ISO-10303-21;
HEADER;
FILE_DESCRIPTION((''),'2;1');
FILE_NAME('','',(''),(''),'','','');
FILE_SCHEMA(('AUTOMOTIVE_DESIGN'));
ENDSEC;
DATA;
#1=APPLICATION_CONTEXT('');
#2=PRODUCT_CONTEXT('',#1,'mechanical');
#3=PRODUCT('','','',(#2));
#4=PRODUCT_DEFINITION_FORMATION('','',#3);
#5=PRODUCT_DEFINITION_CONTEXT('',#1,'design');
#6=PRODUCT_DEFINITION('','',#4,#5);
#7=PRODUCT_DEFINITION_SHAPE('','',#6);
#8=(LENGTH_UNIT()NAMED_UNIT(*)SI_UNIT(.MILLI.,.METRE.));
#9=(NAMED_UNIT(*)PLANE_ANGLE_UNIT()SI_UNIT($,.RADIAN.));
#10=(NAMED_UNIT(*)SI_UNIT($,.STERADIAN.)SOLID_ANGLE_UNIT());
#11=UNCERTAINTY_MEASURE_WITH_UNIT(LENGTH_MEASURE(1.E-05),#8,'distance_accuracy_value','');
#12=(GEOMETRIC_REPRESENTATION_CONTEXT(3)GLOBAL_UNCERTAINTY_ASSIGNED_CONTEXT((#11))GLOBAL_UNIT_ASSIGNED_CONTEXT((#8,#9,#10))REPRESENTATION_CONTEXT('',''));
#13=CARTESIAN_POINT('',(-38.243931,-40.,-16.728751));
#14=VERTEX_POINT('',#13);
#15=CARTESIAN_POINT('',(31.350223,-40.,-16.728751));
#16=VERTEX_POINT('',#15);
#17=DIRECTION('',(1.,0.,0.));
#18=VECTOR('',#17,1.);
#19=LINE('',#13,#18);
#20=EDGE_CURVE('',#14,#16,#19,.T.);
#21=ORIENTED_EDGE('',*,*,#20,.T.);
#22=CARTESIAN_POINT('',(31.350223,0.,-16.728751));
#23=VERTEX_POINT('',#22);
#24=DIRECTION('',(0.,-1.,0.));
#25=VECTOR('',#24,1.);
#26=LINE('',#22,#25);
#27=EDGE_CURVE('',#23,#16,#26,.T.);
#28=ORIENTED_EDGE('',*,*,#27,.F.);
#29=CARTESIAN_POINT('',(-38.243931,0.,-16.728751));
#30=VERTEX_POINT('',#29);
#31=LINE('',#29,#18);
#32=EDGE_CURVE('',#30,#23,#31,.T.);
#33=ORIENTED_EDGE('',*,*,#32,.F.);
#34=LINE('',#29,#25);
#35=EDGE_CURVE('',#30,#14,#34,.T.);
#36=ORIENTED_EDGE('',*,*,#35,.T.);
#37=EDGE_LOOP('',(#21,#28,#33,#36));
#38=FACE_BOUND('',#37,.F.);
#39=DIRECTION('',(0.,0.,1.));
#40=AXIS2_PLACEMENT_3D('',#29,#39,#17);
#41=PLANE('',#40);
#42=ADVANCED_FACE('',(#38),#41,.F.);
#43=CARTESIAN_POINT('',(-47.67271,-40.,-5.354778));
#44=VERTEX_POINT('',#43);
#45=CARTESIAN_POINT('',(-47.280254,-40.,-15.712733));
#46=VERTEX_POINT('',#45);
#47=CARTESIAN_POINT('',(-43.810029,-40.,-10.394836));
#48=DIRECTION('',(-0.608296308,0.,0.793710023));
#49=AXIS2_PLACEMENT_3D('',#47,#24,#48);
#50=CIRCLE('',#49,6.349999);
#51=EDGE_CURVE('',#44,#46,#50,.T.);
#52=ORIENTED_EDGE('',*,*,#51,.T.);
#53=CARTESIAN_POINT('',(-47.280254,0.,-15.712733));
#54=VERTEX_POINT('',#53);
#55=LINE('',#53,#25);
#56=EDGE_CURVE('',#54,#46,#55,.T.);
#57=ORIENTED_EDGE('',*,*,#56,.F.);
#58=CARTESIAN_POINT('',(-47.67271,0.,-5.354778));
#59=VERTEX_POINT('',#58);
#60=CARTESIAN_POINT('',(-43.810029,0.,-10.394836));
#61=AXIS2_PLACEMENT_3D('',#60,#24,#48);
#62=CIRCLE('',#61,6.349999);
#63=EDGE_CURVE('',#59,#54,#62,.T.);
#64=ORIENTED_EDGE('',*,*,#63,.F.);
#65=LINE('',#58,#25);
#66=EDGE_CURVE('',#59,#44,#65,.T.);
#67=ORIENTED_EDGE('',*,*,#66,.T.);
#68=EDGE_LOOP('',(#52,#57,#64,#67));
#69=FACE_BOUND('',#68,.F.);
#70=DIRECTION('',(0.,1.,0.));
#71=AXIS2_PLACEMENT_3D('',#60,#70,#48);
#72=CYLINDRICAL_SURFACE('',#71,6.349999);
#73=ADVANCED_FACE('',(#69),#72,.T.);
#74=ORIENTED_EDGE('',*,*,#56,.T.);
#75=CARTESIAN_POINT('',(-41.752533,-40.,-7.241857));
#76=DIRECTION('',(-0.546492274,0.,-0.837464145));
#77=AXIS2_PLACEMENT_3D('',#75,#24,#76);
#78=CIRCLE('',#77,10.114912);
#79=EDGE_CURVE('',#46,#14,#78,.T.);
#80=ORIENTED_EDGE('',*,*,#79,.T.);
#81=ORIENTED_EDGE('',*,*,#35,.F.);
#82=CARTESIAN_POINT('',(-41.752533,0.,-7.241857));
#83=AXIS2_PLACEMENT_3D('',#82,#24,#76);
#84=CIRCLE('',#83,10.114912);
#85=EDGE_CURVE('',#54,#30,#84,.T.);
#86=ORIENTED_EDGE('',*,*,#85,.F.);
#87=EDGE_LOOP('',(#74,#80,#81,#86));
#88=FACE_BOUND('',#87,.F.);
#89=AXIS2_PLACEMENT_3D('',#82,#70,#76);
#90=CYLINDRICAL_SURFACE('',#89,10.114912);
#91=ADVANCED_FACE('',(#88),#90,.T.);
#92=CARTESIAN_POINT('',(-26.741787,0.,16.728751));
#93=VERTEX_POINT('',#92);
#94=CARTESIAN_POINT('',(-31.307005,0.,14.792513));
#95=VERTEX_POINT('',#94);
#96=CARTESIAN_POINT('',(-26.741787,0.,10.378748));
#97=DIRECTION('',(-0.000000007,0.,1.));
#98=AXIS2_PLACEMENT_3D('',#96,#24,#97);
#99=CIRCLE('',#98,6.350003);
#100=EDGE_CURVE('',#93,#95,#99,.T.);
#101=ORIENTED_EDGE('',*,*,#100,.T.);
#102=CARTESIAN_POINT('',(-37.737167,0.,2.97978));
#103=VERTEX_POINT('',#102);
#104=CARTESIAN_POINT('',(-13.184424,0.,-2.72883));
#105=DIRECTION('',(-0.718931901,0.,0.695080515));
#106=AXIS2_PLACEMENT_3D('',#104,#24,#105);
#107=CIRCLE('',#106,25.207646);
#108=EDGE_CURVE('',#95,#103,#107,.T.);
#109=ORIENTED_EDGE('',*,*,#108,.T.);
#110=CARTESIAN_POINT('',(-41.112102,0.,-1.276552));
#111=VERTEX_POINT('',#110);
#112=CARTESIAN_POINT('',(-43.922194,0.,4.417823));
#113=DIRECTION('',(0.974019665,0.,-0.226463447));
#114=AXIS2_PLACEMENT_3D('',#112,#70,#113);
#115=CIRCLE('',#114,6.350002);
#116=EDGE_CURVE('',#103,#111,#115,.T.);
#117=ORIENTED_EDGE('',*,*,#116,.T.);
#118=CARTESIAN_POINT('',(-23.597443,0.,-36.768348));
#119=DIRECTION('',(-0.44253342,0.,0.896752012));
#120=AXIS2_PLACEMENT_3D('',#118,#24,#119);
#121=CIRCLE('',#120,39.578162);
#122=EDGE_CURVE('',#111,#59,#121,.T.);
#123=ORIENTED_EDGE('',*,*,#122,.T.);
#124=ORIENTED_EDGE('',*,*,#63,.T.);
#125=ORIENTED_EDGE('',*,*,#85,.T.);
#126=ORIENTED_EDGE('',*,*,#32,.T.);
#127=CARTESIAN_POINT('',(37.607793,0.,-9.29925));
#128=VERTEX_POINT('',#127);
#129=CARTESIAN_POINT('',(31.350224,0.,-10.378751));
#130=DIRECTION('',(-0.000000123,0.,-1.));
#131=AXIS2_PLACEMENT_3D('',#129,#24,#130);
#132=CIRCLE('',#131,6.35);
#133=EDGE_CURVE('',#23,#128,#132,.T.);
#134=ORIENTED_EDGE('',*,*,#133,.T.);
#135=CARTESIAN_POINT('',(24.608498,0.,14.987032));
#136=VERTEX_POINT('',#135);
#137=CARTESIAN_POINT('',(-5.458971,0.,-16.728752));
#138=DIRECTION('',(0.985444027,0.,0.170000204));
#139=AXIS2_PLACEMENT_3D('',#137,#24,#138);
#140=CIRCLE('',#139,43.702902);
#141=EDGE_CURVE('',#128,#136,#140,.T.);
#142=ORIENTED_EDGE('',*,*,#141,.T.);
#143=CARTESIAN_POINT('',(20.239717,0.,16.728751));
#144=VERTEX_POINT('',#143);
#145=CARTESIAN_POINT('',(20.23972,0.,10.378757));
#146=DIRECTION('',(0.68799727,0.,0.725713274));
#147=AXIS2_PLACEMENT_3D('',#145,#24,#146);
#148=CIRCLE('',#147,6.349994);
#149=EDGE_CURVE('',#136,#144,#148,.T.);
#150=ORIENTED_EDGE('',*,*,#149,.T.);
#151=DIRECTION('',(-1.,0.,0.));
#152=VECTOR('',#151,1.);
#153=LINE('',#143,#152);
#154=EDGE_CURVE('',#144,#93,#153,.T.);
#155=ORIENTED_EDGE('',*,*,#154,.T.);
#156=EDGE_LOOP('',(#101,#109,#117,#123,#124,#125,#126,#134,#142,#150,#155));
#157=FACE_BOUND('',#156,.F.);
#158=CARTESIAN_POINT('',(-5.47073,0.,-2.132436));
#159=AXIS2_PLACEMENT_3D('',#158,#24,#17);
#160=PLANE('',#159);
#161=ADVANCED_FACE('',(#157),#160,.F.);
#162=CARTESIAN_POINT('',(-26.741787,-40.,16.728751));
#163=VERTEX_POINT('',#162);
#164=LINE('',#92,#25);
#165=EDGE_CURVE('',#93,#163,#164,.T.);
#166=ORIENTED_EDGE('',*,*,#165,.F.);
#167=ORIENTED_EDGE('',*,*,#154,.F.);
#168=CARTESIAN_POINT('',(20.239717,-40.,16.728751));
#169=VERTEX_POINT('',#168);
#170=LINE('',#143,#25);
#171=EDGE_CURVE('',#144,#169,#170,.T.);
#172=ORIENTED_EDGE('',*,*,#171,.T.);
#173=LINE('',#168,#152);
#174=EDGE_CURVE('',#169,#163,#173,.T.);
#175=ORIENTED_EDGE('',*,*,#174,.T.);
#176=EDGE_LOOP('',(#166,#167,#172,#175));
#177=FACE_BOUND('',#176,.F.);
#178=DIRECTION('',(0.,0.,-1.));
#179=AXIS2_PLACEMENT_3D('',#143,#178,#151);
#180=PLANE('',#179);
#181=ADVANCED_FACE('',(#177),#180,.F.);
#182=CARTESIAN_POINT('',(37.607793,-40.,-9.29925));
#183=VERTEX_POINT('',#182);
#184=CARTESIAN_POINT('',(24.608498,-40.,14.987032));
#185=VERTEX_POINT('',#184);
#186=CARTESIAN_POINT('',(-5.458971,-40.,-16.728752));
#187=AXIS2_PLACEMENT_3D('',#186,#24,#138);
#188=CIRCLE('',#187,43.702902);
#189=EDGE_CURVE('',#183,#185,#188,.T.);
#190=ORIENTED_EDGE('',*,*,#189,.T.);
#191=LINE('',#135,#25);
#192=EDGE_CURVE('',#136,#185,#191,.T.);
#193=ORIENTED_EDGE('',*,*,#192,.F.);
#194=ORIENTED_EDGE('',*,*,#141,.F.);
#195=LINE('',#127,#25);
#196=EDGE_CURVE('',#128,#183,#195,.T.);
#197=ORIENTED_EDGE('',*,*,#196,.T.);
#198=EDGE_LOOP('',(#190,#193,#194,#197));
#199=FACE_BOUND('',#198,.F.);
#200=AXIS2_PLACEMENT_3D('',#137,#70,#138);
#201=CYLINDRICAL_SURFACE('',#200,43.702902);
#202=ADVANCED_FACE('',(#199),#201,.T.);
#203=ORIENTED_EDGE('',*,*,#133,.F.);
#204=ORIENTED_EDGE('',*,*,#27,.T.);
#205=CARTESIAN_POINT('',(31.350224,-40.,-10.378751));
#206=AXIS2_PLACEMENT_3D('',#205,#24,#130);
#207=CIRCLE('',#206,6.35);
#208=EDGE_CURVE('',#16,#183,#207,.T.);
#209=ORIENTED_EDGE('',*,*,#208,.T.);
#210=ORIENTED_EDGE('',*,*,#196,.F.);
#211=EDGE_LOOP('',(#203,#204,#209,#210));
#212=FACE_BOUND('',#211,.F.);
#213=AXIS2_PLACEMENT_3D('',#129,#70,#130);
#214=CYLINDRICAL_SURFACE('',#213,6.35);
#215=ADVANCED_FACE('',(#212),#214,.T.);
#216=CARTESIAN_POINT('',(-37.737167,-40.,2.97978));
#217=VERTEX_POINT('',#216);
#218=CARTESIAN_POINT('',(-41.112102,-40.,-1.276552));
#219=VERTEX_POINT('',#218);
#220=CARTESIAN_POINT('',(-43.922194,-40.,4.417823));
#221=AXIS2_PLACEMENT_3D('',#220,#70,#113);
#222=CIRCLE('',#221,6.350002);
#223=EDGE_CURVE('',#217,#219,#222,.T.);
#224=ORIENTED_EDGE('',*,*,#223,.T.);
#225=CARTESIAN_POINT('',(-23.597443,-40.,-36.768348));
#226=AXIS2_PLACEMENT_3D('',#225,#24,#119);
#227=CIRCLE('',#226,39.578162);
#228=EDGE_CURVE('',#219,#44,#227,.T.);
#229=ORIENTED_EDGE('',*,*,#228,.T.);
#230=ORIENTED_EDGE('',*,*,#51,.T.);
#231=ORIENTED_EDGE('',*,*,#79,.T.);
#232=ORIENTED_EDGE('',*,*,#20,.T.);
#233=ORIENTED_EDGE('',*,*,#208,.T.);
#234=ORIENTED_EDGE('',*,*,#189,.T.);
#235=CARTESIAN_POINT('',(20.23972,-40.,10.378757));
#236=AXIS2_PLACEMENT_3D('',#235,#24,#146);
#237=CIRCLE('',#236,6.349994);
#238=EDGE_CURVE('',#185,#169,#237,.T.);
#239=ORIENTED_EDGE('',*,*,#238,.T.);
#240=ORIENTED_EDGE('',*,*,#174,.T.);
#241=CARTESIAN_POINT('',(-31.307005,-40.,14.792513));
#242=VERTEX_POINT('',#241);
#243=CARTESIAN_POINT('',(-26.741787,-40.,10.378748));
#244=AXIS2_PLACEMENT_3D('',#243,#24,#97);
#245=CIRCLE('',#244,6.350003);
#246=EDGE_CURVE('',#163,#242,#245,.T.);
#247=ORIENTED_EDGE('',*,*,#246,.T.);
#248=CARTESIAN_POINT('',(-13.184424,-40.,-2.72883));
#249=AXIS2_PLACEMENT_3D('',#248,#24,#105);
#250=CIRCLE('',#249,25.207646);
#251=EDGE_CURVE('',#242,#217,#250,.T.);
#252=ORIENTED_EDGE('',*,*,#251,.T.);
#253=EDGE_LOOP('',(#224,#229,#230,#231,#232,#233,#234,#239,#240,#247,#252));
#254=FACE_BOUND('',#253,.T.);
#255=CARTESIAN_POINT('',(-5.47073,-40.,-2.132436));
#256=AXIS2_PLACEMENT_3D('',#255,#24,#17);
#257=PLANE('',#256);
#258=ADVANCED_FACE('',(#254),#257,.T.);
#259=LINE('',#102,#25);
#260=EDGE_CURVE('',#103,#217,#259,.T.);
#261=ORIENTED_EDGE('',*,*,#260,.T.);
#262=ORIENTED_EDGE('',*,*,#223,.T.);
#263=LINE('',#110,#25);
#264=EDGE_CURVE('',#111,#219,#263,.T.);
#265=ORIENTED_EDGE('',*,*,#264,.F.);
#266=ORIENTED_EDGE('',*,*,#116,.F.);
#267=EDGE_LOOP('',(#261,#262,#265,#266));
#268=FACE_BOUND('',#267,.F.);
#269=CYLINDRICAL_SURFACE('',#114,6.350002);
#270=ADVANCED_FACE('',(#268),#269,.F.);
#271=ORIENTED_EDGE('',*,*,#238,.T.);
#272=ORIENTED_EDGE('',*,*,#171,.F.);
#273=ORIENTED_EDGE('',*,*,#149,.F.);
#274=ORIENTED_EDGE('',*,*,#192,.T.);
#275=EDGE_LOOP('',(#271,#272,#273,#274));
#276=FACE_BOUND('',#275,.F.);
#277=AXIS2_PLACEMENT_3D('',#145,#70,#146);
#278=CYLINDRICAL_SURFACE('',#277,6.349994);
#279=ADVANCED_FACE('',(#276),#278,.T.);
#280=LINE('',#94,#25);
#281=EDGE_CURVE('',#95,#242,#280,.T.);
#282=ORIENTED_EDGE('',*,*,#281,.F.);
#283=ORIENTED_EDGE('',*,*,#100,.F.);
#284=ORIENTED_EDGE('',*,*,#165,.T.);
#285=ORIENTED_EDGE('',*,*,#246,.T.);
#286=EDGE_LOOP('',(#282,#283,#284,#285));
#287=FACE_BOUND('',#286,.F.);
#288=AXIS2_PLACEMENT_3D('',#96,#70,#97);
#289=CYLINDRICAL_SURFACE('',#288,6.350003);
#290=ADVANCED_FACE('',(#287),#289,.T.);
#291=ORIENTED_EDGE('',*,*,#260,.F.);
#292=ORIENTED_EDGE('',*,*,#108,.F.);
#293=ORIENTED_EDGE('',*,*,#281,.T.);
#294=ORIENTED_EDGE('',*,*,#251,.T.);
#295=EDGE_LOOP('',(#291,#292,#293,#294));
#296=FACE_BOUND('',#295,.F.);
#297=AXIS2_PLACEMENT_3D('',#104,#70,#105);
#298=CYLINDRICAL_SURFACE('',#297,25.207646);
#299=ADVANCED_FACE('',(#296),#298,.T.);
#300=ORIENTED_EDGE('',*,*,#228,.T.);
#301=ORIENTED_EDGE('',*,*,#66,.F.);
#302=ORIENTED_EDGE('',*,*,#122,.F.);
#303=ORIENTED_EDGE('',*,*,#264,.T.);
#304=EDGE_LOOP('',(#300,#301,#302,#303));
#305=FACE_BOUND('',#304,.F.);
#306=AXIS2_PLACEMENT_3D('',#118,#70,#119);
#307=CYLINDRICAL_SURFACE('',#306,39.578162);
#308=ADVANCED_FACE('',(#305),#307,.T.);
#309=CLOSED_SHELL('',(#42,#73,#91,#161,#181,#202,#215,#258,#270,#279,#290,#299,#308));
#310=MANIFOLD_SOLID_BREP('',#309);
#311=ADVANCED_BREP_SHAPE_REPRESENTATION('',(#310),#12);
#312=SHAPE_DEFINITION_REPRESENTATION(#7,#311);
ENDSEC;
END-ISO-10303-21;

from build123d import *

# Parameters (mm, degrees)
F1_DEPTH = 40


with BuildPart() as f1:
    # F0 (on Front) → F1 (new body)
    with BuildSketch(Plane.XZ):
        with BuildLine():
            ThreePointArc((24.608498, 14.987032), (22.591303, 16.277272), (20.239717, 16.728751))
            Line((20.239717, 16.728751), (-26.741787, 16.728751))
            ThreePointArc((-26.741787, 16.728751), (-29.221214, 16.224685), (-31.307005, 14.792513))
            ThreePointArc((-31.307005, 14.792513), (-35.324455, 9.32291), (-37.737167, 2.97978))
            ThreePointArc((-37.737167, 2.97978), (-38.94654, 0.472523), (-41.112102, -1.276552))
            ThreePointArc((-41.112102, -1.276552), (-44.492143, -3.15522), (-47.67271, -5.354778))
            ThreePointArc((-47.67271, -5.354778), (-50.155475, -10.635261), (-47.280254, -15.712733))
            ThreePointArc((-47.280254, -15.712733), (-42.882702, -17.293432), (-38.243931, -16.728751))
            Line((-38.243931, -16.728751), (31.350223, -16.728751))
            ThreePointArc((31.350223, -16.728751), (36.20704, -14.469452), (37.607793, -9.29925))
            ThreePointArc((37.607793, -9.29925), (33.071665, 3.894869), (24.608498, 14.987032))
        make_face()
    extrude(amount=F1_DEPTH)


solid = f1.part
